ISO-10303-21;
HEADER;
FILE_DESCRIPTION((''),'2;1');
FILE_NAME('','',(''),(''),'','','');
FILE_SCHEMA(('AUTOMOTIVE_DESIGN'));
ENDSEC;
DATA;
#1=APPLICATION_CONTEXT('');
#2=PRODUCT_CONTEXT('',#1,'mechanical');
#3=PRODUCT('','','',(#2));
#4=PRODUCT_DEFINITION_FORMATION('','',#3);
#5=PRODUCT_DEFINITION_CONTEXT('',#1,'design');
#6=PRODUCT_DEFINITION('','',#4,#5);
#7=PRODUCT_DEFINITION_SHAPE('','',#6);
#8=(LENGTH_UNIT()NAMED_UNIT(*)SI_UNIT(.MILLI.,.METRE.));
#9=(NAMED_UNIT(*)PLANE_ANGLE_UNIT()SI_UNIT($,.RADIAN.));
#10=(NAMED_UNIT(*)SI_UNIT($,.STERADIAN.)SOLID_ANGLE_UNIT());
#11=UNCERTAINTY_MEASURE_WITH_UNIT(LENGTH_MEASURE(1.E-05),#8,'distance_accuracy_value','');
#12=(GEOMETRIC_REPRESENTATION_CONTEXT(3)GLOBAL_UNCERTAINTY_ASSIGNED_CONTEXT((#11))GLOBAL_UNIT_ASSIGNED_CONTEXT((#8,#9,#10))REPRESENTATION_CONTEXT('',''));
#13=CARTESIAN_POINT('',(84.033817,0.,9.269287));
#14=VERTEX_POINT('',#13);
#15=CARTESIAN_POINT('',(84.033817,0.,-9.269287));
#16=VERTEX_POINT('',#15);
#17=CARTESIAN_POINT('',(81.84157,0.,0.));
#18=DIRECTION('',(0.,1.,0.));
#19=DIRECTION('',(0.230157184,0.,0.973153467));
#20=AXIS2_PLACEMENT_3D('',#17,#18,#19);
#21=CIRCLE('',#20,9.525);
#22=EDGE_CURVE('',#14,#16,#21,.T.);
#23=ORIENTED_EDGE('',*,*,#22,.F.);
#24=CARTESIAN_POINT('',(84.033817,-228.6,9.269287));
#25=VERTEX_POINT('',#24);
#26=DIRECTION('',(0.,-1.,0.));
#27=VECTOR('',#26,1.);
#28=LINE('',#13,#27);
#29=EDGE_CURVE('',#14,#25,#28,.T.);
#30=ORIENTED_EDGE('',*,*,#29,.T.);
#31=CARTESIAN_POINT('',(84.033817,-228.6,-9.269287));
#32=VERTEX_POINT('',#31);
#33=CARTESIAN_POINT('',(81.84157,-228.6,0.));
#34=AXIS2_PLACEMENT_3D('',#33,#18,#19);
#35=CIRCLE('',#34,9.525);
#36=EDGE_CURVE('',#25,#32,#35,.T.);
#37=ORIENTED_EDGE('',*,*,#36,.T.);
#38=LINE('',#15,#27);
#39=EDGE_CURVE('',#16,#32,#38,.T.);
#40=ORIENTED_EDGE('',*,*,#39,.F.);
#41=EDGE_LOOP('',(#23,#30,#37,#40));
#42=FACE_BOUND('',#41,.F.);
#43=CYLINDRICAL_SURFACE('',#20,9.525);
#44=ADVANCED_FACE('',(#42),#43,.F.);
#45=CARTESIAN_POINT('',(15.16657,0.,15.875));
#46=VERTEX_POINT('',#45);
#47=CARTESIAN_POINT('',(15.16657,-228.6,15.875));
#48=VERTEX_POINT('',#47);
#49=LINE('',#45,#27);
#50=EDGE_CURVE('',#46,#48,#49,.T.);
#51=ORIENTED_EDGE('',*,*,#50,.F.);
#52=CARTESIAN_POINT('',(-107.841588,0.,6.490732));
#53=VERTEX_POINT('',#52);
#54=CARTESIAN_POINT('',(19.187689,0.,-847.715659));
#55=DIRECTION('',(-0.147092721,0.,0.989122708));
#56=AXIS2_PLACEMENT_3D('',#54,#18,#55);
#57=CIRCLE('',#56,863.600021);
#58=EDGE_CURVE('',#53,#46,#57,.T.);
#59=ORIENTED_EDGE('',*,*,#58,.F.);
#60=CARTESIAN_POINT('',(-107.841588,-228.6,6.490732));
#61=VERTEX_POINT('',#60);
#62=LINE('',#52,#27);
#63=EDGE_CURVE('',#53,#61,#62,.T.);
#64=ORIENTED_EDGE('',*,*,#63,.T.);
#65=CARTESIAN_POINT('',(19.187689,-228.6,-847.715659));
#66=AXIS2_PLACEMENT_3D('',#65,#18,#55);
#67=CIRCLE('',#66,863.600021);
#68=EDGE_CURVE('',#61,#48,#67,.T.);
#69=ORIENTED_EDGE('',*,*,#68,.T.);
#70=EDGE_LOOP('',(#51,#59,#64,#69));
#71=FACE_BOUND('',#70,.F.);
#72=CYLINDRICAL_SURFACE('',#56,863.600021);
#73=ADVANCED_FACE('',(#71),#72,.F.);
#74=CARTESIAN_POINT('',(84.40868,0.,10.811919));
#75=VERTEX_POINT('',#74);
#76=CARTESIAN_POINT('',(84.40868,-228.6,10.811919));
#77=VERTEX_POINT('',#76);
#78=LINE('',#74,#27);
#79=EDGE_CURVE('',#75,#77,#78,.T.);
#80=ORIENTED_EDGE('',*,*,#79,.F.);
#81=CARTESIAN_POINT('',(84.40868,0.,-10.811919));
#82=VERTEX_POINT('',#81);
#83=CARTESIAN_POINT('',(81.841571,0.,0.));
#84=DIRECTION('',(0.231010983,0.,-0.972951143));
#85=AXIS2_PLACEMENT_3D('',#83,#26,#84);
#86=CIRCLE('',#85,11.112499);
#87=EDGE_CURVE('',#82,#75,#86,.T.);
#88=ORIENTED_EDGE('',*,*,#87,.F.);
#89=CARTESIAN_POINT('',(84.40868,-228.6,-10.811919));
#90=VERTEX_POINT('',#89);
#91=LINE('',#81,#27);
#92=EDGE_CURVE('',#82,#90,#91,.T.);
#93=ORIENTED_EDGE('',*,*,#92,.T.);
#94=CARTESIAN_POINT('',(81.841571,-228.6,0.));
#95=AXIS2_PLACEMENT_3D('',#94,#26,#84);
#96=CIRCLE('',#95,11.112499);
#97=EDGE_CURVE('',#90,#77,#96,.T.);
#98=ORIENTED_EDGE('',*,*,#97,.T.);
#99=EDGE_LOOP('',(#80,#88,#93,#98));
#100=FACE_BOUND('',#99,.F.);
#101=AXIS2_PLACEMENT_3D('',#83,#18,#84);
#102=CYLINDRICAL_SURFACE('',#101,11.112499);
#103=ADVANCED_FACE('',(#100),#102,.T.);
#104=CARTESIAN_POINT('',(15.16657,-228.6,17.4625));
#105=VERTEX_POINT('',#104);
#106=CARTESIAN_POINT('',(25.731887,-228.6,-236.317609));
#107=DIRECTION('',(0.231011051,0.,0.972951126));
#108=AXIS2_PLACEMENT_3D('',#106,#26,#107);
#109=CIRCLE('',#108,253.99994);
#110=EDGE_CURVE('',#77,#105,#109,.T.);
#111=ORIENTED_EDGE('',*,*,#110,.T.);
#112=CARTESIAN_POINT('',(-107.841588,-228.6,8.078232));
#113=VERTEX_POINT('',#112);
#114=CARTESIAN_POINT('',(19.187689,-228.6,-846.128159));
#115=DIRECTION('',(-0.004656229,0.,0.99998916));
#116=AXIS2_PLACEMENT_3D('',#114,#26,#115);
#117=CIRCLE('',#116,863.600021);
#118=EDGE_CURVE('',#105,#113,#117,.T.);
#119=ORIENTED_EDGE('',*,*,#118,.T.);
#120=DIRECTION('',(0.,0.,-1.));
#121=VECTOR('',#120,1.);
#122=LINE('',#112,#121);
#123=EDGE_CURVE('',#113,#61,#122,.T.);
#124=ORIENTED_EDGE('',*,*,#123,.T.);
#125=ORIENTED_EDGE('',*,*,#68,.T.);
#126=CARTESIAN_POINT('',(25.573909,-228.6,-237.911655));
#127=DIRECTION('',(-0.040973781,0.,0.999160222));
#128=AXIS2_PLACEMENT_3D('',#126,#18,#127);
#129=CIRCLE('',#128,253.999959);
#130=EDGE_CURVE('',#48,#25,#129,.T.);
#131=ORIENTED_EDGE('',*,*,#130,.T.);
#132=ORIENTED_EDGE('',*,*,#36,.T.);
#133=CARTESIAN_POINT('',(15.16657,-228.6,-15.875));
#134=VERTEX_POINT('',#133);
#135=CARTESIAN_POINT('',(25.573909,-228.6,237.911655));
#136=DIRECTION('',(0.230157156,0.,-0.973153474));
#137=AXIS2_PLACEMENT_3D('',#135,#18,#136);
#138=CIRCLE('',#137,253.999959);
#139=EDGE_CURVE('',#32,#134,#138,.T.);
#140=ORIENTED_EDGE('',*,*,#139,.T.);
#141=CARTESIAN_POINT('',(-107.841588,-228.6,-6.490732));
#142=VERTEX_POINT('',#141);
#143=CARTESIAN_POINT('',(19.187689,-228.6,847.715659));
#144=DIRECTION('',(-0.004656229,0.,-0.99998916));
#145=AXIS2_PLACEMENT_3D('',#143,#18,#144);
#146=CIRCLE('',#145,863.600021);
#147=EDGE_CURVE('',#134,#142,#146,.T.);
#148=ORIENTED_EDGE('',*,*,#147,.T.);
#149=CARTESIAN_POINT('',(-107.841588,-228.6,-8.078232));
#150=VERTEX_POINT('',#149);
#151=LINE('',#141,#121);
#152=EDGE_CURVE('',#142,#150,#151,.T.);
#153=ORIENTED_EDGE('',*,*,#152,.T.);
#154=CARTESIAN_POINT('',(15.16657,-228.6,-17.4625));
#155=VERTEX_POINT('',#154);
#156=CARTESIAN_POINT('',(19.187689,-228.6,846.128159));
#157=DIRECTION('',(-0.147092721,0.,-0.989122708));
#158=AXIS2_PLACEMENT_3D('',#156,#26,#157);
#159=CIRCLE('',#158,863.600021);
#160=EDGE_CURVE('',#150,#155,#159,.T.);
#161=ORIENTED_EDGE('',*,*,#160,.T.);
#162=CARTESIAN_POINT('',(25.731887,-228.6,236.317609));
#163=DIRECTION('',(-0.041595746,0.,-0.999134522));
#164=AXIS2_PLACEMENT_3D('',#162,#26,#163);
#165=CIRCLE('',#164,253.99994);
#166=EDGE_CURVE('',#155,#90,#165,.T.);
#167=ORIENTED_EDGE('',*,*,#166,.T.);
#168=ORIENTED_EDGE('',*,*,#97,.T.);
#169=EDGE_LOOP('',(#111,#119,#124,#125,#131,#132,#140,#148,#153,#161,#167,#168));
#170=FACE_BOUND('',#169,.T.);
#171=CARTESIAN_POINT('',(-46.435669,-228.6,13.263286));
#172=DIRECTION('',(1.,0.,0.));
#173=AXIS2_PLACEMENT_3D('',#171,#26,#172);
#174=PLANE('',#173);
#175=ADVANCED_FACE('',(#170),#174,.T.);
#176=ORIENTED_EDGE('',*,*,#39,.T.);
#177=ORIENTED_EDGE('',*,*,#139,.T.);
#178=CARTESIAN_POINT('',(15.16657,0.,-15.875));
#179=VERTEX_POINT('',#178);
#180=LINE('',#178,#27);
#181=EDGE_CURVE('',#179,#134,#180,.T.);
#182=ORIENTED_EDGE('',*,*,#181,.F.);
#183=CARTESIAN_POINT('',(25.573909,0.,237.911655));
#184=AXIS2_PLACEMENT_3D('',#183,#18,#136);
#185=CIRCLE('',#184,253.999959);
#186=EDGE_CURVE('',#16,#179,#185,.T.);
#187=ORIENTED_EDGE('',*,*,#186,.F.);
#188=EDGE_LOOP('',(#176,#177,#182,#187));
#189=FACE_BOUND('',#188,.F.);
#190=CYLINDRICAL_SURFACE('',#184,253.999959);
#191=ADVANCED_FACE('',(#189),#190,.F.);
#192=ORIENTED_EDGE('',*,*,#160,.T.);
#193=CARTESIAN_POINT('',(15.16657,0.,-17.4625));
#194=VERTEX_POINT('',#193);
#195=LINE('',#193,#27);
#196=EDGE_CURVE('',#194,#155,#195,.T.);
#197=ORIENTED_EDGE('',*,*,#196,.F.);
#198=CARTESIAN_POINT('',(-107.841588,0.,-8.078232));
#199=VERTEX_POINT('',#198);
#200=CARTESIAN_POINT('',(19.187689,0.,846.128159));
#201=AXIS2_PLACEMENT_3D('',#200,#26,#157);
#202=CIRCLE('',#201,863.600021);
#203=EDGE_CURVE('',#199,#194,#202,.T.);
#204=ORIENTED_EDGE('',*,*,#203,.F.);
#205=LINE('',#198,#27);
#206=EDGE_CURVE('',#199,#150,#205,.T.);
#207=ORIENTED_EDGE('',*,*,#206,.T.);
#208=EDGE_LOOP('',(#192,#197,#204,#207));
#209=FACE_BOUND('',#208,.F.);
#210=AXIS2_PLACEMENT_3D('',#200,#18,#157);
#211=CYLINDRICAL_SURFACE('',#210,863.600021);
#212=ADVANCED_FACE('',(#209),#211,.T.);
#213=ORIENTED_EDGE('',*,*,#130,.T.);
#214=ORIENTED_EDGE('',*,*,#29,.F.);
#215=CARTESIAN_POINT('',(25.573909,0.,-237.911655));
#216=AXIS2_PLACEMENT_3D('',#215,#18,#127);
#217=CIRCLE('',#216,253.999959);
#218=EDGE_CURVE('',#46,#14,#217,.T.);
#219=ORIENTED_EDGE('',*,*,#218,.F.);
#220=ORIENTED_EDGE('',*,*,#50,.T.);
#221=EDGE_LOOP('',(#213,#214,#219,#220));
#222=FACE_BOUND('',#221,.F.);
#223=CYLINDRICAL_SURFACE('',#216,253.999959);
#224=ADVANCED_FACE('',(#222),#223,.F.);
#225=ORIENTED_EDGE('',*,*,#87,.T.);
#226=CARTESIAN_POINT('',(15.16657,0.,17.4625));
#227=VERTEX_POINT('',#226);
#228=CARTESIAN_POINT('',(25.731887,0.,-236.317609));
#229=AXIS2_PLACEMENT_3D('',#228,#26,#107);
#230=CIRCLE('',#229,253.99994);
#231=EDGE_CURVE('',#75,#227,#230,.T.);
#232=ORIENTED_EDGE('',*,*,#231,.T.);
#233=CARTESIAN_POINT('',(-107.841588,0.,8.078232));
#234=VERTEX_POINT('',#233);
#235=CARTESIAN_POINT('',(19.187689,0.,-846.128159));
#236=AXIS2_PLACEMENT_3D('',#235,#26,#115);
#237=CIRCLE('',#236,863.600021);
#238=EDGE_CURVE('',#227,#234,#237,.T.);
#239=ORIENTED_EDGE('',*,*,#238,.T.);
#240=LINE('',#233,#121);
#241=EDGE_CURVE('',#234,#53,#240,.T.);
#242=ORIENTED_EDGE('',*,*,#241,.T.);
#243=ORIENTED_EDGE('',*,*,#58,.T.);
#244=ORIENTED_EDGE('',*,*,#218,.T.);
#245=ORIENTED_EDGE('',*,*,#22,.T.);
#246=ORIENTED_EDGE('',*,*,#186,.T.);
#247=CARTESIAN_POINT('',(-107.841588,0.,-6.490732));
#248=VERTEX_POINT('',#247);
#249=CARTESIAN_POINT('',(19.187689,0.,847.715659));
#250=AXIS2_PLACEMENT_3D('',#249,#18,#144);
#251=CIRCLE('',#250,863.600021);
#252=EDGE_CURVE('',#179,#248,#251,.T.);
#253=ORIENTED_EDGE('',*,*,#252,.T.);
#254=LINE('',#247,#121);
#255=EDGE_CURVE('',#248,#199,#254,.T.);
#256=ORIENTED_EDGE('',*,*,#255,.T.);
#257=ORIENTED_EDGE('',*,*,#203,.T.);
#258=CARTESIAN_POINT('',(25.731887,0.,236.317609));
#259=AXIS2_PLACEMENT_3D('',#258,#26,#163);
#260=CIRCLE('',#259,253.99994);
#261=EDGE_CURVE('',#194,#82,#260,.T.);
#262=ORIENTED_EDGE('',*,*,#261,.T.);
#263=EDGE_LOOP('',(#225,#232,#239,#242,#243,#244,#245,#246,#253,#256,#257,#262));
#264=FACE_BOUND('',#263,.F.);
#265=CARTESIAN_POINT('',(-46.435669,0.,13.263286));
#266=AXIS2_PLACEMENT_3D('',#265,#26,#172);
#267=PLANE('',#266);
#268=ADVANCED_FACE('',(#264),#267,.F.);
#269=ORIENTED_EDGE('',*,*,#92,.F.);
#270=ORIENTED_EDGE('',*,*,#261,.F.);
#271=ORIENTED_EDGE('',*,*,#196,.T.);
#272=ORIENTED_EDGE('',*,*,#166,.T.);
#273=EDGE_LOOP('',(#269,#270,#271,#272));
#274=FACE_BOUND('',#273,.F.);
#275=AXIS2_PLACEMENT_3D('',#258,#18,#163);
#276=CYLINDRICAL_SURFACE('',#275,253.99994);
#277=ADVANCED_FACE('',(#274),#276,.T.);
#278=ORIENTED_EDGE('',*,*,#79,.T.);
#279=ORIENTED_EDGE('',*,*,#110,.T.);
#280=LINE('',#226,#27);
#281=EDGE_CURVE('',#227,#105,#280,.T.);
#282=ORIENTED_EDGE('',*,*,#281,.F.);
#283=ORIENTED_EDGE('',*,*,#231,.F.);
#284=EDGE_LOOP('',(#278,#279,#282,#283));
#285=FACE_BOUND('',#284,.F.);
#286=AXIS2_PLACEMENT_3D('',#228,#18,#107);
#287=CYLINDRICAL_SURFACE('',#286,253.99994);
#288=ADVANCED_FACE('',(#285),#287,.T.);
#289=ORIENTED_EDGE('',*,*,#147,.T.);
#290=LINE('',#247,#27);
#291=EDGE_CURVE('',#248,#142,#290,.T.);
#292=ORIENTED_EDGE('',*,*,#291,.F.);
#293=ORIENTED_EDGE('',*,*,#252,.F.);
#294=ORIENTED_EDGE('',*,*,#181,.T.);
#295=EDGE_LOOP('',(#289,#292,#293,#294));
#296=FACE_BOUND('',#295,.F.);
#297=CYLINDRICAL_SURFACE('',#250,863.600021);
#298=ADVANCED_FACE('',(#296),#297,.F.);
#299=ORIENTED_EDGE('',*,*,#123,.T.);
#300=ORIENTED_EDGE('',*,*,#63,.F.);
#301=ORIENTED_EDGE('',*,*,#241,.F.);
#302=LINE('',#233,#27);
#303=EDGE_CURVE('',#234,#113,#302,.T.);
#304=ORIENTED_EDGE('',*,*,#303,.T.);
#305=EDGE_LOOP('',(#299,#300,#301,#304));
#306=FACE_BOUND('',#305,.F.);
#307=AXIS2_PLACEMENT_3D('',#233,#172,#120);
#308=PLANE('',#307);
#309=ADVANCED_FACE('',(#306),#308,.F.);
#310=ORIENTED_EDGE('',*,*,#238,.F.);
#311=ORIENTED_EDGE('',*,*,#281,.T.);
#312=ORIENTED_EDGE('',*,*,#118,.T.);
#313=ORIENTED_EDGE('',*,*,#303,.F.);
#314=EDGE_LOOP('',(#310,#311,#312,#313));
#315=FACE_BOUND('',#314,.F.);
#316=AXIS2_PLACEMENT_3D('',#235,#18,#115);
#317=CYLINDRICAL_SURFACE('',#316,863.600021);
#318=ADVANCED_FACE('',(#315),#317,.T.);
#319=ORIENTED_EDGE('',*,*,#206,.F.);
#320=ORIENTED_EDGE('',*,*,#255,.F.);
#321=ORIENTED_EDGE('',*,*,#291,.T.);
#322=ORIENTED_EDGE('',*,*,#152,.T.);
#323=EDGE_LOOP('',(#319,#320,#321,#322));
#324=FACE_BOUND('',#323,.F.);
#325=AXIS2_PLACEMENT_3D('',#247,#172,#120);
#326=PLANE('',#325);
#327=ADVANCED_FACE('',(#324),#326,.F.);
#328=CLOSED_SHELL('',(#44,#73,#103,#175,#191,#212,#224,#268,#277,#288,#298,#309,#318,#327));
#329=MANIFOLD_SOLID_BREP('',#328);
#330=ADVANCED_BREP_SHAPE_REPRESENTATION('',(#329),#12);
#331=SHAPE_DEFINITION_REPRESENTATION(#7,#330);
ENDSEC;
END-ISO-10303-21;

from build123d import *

# Parameters (mm, degrees)
F1_DEPTH = 228.6


with BuildPart() as f1:
    # F0 (on Front) → F1 (new body)
    with BuildSketch(Plane.XZ):
        with BuildLine():
            Line((-107.841588, 8.078232), (-107.841588, 6.490732))
            ThreePointArc((-107.841588, 6.490732), (-46.505291, 13.382145), (15.16657, 15.875))
            Line((15.16657, 15.875), (15.16657, 17.4625))
            ThreePointArc((15.16657, 17.4625), (-46.505291, 14.969645), (-107.841588, 8.078232))
        make_face()
        with BuildLine():
            Line((15.16657, 17.4625), (15.16657, 15.875))
            ThreePointArc((15.16657, 15.875), (49.826151, 14.927835), (84.033817, 9.269287))
            ThreePointArc((84.033817, 9.269287), (91.36657, 0), (84.033817, -9.269287))
            ThreePointArc((84.033817, -9.269287), (49.826151, -14.927835), (15.16657, -15.875))
            Line((15.16657, -15.875), (15.16657, -17.4625))
            ThreePointArc((15.16657, -17.4625), (50.01637, -16.518768), (84.40868, -10.811919))
            ThreePointArc((84.40868, -10.811919), (92.95407, 0), (84.40868, 10.811919))
            ThreePointArc((84.40868, 10.811919), (50.01637, 16.518768), (15.16657, 17.4625))
        make_face()
        with BuildLine():
            Line((15.16657, -17.4625), (15.16657, -15.875))
            ThreePointArc((15.16657, -15.875), (-46.505291, -13.382145), (-107.841588, -6.490732))
            Line((-107.841588, -6.490732), (-107.841588, -8.078232))
            ThreePointArc((-107.841588, -8.078232), (-46.505291, -14.969645), (15.16657, -17.4625))
        make_face()
    extrude(amount=F1_DEPTH)


solid = f1.part
